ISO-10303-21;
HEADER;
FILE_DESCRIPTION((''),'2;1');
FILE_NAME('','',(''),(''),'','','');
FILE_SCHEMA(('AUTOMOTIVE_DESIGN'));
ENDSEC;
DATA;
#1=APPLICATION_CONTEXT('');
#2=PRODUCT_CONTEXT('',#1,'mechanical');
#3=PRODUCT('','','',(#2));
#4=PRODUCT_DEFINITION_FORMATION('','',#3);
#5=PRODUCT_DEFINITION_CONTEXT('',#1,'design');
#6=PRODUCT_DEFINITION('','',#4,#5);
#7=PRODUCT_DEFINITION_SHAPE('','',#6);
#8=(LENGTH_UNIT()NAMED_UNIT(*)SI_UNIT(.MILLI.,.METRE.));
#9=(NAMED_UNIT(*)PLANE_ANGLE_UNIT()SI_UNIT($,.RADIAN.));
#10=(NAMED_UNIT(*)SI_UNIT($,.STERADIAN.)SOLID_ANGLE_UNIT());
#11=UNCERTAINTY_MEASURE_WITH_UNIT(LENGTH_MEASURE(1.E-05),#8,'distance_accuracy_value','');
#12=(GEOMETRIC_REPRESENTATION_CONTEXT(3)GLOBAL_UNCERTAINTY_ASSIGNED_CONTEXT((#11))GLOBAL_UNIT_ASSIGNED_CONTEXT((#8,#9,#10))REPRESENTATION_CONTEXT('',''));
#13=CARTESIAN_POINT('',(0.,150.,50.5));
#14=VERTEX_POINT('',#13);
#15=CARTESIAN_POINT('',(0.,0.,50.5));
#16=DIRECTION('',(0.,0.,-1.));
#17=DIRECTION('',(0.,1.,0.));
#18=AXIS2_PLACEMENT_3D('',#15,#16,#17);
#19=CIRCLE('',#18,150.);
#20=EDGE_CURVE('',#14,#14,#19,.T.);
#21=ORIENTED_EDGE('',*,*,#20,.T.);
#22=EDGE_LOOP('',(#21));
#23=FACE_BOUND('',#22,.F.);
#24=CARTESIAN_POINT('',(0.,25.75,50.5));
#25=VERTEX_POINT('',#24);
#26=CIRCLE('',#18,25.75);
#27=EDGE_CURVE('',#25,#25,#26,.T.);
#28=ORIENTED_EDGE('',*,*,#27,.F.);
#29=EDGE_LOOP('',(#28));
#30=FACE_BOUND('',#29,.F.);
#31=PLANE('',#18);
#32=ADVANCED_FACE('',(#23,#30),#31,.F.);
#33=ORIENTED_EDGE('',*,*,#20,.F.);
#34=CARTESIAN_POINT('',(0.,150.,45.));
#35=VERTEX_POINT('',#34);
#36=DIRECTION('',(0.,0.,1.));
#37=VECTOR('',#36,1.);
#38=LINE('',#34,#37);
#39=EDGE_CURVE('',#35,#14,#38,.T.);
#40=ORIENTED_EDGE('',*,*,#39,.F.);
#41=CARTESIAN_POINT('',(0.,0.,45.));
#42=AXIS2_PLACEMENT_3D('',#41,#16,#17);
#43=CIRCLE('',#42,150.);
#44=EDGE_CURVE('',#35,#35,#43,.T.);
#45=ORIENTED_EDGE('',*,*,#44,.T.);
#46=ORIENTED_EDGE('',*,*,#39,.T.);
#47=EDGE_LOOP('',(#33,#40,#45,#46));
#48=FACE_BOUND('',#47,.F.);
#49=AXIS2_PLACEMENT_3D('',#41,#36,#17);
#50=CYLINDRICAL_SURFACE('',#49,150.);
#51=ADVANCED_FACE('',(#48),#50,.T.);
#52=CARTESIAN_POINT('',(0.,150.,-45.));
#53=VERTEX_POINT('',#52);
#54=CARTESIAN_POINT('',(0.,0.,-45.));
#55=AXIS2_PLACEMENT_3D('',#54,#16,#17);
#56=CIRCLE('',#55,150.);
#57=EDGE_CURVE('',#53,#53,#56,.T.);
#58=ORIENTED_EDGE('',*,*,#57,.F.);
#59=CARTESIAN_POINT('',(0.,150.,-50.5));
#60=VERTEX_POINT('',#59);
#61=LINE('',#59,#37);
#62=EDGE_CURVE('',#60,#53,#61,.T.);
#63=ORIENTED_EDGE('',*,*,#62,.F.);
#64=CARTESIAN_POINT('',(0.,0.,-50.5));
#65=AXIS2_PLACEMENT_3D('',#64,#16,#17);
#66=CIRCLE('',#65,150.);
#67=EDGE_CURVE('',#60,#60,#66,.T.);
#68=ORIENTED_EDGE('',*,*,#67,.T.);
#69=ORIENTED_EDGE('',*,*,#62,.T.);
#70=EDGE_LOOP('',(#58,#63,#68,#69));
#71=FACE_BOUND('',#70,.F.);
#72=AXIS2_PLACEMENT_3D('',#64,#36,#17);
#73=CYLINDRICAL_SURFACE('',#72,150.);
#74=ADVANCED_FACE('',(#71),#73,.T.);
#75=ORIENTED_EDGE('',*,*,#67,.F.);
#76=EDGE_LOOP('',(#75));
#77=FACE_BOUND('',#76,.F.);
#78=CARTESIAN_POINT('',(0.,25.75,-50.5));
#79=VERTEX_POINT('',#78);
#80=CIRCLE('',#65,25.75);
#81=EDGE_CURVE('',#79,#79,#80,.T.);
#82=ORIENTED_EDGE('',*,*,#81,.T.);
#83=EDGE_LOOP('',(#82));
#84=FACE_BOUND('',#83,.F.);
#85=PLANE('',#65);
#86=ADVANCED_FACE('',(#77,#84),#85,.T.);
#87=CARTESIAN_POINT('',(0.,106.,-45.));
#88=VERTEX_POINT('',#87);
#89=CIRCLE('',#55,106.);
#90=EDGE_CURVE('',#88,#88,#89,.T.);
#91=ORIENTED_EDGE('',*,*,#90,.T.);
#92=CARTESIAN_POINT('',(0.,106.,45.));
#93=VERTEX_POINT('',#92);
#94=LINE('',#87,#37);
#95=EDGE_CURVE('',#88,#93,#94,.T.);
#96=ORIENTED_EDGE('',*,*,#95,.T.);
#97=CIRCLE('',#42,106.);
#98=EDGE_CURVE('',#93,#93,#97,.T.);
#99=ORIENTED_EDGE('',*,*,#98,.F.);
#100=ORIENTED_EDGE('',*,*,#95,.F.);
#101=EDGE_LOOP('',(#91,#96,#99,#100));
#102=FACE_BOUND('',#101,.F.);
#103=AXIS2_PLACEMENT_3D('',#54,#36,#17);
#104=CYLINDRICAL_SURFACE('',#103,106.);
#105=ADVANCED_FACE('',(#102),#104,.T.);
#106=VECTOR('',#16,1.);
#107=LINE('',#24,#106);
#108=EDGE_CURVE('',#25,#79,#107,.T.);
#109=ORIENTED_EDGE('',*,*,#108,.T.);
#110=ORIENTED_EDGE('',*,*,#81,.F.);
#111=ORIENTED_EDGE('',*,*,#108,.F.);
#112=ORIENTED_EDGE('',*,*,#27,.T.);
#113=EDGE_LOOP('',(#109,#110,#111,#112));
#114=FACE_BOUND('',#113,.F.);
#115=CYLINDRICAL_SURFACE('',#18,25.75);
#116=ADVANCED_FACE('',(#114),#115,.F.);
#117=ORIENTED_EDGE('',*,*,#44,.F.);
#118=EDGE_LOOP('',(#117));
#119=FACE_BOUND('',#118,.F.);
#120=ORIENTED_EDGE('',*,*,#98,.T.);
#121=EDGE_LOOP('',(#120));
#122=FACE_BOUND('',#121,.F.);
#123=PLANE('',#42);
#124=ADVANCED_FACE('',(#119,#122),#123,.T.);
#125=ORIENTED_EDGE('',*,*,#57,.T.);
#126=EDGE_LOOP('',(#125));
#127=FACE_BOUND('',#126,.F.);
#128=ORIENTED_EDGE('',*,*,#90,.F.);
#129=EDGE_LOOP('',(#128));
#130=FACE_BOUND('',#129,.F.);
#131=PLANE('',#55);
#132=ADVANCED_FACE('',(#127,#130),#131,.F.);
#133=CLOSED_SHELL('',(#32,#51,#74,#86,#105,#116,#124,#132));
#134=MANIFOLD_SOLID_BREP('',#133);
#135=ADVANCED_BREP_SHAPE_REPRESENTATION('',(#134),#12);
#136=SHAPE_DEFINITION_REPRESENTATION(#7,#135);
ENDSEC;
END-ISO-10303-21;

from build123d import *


with BuildPart() as part:
    # Croquis1 one side → Revolución1 (revolve)
    with BuildSketch(Plane(origin=(0, 0, 0), x_dir=(0, 0, -1), z_dir=(1, 0, 0))):
        Polygon((-45, 106), (-45, 150), (-50.5, 150), (-50.5, 25.75), (50.5, 25.75), (50.5, 150), (45, 150), (45, 106), align=None)
    revolve(axis=Axis((0, 0, 50.5), (0, 0, -1)))


solid = part.part
